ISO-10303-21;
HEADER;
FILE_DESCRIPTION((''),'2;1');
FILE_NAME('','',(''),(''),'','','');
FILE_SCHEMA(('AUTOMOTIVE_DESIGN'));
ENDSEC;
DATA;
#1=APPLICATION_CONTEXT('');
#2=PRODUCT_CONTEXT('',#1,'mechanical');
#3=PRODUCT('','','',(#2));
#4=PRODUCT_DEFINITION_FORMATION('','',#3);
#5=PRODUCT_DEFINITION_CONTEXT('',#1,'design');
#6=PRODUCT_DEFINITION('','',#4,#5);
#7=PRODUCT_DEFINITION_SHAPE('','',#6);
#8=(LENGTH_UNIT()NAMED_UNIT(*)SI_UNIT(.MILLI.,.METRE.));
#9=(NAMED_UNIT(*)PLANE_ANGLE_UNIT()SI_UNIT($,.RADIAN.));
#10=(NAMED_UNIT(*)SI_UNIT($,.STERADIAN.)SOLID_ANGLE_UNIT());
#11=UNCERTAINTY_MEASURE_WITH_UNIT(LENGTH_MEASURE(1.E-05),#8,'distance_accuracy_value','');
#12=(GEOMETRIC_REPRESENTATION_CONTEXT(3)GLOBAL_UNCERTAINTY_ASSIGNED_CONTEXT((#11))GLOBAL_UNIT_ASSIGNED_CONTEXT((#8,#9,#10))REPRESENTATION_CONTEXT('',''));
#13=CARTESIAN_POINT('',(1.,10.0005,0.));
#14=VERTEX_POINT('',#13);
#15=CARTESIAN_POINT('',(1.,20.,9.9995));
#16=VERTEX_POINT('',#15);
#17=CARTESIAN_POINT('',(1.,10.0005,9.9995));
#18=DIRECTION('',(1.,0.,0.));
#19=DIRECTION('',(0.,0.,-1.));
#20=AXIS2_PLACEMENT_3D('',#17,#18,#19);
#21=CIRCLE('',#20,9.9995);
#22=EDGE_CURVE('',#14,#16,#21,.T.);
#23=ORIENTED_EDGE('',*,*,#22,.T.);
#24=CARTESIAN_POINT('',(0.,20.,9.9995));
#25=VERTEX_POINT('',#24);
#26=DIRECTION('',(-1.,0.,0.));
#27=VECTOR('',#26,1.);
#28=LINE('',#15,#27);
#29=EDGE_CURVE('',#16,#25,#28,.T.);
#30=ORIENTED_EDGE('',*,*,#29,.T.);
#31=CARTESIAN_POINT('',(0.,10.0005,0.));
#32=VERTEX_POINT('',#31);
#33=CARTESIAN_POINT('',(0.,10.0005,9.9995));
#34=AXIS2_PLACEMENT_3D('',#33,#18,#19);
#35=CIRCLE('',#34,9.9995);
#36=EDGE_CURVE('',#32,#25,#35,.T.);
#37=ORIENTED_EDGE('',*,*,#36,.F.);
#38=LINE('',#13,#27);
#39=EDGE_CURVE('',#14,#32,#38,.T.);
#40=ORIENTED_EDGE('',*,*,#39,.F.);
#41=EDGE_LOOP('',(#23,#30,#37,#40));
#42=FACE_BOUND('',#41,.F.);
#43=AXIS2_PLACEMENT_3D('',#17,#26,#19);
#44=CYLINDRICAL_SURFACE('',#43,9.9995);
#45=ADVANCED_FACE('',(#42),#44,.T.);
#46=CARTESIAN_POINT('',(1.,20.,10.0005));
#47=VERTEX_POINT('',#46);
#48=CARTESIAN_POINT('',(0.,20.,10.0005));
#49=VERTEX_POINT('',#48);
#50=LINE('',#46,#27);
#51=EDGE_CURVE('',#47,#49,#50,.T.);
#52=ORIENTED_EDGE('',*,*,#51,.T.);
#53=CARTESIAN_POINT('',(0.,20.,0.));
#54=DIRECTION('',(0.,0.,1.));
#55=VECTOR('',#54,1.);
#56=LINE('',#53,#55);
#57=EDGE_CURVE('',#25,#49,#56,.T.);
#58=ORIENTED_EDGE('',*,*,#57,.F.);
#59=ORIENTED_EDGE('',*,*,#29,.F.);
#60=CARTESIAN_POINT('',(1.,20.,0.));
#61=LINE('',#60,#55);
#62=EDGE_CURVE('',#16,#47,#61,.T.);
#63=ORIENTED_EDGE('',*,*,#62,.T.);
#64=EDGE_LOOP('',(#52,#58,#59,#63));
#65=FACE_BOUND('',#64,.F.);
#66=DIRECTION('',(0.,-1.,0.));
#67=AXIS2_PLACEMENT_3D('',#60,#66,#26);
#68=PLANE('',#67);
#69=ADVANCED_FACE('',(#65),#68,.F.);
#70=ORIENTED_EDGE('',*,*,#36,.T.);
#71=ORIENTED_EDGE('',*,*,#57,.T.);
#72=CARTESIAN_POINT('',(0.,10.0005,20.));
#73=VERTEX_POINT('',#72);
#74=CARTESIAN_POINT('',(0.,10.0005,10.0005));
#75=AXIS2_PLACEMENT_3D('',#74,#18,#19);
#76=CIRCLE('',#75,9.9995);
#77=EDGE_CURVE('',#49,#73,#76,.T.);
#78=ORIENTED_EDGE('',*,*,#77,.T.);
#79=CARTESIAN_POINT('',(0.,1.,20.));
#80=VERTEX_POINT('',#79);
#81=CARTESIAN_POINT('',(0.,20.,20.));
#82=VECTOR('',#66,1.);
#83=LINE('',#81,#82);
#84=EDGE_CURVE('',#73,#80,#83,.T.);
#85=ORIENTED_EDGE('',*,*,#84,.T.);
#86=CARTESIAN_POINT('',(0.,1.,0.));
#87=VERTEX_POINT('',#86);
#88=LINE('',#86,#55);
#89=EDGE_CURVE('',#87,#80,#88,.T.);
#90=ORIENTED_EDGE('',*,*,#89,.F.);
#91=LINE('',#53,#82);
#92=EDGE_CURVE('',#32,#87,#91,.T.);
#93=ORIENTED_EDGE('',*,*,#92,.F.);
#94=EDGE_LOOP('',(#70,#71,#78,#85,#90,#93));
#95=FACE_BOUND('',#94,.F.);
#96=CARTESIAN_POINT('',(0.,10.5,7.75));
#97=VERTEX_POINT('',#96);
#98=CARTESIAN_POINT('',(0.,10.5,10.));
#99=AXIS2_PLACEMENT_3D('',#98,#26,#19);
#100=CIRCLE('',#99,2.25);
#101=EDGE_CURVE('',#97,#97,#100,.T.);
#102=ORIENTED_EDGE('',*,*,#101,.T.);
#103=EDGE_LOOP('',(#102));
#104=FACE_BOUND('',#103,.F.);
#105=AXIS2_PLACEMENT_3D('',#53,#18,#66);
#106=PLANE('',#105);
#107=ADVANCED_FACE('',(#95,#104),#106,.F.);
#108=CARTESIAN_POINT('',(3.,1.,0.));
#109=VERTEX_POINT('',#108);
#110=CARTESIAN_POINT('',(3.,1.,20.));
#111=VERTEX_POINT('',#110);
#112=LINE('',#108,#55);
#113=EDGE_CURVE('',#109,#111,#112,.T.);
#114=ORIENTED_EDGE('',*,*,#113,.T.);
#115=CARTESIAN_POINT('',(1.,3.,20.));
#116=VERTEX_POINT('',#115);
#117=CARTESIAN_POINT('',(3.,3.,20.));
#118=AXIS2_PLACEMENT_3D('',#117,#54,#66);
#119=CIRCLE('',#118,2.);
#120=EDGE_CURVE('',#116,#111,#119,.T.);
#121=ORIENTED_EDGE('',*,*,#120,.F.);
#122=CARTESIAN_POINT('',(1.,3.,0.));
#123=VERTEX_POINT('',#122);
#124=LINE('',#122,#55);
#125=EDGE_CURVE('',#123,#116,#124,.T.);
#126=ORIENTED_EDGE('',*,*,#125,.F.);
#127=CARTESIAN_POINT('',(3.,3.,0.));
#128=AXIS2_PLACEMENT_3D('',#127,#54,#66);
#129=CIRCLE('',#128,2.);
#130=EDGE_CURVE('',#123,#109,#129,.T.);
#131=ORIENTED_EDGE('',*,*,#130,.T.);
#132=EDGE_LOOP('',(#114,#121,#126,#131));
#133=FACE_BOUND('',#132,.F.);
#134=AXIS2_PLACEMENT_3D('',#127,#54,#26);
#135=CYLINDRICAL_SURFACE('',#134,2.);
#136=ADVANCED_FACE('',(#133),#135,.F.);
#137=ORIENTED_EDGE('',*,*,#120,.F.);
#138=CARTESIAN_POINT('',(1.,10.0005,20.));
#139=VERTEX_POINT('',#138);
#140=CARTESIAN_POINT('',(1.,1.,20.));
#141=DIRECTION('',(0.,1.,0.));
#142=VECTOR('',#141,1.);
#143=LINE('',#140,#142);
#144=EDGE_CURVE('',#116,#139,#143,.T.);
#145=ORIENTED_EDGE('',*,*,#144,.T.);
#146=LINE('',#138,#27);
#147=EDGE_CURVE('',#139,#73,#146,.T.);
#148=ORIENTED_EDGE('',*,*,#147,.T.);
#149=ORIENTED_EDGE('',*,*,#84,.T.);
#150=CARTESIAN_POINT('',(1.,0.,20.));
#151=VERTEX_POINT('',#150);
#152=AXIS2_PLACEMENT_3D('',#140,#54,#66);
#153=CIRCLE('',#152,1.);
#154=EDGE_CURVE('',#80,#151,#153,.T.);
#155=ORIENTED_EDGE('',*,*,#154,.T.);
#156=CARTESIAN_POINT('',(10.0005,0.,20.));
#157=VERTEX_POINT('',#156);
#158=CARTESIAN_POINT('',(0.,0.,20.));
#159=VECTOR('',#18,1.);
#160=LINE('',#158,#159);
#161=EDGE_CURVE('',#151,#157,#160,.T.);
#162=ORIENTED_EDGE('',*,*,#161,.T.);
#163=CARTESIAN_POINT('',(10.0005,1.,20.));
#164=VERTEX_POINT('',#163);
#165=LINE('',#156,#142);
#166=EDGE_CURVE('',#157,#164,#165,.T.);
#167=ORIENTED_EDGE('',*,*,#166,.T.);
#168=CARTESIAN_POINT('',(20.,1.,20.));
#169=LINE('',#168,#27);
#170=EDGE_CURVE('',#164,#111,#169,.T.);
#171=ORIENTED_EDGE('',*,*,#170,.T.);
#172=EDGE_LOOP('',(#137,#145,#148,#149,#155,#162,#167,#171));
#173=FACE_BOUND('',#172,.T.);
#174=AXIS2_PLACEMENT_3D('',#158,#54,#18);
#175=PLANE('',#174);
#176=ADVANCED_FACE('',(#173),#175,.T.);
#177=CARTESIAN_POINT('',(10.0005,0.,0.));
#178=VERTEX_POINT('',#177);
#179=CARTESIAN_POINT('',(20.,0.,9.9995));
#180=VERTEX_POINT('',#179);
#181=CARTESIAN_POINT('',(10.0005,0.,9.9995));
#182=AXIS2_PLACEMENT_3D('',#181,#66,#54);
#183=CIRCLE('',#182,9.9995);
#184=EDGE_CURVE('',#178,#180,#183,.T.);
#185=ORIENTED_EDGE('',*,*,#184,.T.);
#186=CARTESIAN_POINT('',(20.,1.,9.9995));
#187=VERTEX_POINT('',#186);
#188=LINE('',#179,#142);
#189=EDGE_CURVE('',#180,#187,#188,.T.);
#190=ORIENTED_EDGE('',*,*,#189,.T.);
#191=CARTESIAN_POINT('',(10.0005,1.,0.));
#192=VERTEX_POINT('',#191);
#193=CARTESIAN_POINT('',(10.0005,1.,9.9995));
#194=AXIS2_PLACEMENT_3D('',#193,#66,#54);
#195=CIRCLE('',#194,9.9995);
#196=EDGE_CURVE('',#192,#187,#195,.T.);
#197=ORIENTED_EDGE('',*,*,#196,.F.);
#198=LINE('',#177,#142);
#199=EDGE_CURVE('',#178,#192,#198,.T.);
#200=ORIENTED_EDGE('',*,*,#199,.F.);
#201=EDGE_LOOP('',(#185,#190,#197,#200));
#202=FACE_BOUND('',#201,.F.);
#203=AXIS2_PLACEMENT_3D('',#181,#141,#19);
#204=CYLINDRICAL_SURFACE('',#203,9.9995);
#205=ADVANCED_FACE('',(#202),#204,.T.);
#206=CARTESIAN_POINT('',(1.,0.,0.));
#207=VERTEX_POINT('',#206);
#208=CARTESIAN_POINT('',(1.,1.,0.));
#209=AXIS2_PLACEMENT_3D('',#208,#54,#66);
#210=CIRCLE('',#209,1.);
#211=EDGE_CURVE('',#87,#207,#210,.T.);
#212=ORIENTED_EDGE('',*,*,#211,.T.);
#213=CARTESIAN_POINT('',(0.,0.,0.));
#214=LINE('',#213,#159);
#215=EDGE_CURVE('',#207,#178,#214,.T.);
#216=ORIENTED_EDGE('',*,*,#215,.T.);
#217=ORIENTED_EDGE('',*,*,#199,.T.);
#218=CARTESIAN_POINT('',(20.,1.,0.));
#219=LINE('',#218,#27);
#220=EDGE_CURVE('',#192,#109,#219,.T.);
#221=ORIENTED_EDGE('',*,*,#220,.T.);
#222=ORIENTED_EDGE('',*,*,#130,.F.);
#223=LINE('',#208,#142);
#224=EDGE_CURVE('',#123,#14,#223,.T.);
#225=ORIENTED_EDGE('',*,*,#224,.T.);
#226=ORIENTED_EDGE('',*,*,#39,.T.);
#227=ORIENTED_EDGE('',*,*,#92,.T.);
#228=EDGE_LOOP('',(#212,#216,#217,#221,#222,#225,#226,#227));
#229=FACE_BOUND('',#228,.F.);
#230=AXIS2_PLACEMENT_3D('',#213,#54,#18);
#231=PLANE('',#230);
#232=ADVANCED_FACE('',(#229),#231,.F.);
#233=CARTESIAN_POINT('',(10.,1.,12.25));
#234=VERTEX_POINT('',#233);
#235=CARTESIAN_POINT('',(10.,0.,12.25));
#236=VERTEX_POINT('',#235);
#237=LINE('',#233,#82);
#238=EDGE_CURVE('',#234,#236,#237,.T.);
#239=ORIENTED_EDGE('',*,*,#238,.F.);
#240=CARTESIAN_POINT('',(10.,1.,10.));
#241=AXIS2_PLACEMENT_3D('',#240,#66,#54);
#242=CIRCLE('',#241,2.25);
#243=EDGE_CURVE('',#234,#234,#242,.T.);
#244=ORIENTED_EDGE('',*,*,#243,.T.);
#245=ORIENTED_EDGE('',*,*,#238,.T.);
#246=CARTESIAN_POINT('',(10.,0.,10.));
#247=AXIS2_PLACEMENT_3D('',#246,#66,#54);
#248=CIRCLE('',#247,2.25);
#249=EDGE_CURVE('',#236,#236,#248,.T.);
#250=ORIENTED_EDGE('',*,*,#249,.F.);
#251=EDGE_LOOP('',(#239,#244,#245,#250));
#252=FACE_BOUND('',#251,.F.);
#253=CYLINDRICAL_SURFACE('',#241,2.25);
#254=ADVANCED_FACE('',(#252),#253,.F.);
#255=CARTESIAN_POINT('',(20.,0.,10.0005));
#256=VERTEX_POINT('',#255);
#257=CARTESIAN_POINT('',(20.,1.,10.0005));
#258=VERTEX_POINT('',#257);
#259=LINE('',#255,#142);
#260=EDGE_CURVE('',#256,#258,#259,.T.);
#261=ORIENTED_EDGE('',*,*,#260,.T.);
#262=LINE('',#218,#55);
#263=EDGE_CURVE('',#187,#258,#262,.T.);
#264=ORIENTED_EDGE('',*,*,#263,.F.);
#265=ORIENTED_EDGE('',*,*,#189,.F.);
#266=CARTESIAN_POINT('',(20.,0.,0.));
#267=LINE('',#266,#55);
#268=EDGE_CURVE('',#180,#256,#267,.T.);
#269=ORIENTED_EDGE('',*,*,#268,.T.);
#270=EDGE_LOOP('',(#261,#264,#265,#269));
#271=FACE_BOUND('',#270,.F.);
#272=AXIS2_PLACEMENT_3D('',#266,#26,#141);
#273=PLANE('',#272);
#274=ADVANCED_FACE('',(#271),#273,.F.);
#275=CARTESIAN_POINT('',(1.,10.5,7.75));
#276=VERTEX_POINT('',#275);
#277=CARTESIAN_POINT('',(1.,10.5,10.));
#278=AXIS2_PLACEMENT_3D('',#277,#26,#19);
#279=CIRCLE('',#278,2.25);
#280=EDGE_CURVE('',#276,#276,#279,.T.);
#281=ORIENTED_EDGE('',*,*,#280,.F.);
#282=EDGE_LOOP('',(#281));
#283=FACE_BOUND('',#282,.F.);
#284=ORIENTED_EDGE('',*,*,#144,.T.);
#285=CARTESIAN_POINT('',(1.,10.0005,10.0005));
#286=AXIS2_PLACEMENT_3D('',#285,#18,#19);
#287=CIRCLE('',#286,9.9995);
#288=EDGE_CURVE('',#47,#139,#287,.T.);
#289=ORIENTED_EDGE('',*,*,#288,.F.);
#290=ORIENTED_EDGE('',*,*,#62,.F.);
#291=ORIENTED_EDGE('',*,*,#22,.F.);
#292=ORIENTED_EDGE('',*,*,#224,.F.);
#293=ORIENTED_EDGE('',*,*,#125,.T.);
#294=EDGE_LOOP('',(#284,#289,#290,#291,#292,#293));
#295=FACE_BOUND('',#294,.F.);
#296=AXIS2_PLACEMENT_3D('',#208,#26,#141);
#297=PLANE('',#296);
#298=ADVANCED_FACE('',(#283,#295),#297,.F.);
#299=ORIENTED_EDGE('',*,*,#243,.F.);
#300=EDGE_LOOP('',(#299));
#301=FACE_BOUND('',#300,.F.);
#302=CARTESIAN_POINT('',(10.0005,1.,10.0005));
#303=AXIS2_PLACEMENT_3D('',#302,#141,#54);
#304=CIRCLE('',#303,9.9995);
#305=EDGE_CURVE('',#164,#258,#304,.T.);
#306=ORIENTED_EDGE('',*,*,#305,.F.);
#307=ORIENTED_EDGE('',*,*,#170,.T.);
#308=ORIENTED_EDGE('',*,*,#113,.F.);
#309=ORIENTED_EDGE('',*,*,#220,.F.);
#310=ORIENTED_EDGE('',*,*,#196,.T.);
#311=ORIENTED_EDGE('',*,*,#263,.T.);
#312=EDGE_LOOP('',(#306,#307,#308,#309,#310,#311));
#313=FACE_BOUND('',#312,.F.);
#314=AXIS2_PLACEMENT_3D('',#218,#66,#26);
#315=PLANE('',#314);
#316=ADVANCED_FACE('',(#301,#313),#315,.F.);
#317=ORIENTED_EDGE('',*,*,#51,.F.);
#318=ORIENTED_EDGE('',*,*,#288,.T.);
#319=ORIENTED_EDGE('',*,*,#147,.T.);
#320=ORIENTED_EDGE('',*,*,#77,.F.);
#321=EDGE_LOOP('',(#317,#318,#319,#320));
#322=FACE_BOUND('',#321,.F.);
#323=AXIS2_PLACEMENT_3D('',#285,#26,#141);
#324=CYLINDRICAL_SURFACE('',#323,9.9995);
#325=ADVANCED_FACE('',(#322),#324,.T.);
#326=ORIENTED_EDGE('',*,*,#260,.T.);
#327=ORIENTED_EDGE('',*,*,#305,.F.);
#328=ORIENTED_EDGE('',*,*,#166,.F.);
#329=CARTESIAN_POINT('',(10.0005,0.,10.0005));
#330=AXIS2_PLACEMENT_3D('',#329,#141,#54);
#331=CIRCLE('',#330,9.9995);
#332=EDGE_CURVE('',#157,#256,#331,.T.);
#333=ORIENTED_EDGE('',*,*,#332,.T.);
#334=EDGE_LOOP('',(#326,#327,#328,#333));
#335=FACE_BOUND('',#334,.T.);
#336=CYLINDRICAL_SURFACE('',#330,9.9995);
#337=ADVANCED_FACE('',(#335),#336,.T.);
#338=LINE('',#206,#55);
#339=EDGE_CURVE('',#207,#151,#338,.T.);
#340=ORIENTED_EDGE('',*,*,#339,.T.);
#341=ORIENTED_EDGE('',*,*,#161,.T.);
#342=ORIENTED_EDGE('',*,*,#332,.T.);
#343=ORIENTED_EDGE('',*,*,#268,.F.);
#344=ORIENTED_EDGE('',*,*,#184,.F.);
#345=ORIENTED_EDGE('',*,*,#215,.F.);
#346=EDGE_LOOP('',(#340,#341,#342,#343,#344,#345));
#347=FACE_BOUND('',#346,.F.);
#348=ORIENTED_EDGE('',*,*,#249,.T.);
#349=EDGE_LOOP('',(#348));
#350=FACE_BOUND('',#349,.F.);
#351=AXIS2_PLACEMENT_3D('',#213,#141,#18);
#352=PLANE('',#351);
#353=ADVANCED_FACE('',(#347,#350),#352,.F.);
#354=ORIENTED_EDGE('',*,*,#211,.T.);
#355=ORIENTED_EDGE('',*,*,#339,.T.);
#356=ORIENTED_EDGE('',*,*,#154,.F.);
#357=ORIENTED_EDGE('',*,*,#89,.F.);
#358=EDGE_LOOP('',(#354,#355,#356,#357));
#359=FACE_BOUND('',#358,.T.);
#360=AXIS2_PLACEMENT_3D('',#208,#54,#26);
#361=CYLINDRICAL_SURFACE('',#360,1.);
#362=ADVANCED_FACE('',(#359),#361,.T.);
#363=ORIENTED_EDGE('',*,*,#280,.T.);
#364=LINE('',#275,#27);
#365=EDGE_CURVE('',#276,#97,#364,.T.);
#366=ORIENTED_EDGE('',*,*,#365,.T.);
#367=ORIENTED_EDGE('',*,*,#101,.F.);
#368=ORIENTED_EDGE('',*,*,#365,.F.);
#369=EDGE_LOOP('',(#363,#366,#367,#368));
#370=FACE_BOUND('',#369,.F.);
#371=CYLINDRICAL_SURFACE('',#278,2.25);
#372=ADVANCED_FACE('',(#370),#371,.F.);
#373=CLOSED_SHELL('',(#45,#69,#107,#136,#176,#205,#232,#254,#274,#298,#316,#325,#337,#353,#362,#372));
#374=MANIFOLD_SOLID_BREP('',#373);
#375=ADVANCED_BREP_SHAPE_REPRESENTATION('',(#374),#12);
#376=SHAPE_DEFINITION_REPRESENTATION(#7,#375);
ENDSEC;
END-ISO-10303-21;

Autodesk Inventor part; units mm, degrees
ref_plane "YZ Plane" through (0, 0, 0) normal (1, 0, 0) x (0, 1, 0)
ref_plane "XZ Plane" through (0, 0, 0) normal (0, 1, 0) x (-1, 0, 0)
ref_plane "XY Plane" through (0, 0, 0) normal (0, 0, 1) x (1, 0, 0)
sketch "Sketch1" plane through (0, 0, 0) normal (0, 0, 1) x (1, 0, 0)
  line L0 (0, 20) -> (0, 0)
  line L1 (0, 0) -> (20, 0)
  line L2 (20, 0) -> (20, 1)
  line L3 (20, 1) -> (1, 1)
  line L4 (1, 1) -> (1, 20)
  line L5 (1, 20) -> (0, 20)
  dimension "d0" = 20
  dimension "d1" = 20
  dimension "d2" = 1
  dimension "d3" = 1
extrude "Extrusion1" add sketch "Sketch1" along normal blind 20
sketch "Sketch2" plane through (1, 1, 0) normal (1, 0, 0) x (0, 0, -1)
  line L0 (0, 19) -> (-20, 19) projected
  line L1 (0, 0) -> (0, 19) projected
  point P0 (0, -1)
  point P1 (-10, 9.5)
  point P2 (-10, 19)
  point P3 (0, 9.5)
hole "Hole1" at (1, 10.5, 10) direction (-1, 0, 0) diameter 4.5 end through all
sketch "Sketch3" plane through (1, 1, 0) normal (0, 1, 0) x (1, 0, 0)
  line L0 (-1, 0) -> (19, 0) projected
  line L1 (19, 0) -> (19, -20) projected
  point P0 (9, -10)
  point P1 (9, 0)
  point P2 (19, -10)
hole "Hole2" at (10, 1, 10) direction (0, -1, 0) diameter 4.5 end through all
fillet "Fillet1" radius 2 1 edges at (1, 1, 10)
fillet "Fillet2" radius 10 4 edges at (0.5, 20, 20) (0.5, 20, 0) (20, 0.5, 0) (20, 0.5, 20)
fillet "Fillet3" radius 1 1 edges at (0, 0, 10)
properties part number "Vertical Support - 90deg Bracket"
